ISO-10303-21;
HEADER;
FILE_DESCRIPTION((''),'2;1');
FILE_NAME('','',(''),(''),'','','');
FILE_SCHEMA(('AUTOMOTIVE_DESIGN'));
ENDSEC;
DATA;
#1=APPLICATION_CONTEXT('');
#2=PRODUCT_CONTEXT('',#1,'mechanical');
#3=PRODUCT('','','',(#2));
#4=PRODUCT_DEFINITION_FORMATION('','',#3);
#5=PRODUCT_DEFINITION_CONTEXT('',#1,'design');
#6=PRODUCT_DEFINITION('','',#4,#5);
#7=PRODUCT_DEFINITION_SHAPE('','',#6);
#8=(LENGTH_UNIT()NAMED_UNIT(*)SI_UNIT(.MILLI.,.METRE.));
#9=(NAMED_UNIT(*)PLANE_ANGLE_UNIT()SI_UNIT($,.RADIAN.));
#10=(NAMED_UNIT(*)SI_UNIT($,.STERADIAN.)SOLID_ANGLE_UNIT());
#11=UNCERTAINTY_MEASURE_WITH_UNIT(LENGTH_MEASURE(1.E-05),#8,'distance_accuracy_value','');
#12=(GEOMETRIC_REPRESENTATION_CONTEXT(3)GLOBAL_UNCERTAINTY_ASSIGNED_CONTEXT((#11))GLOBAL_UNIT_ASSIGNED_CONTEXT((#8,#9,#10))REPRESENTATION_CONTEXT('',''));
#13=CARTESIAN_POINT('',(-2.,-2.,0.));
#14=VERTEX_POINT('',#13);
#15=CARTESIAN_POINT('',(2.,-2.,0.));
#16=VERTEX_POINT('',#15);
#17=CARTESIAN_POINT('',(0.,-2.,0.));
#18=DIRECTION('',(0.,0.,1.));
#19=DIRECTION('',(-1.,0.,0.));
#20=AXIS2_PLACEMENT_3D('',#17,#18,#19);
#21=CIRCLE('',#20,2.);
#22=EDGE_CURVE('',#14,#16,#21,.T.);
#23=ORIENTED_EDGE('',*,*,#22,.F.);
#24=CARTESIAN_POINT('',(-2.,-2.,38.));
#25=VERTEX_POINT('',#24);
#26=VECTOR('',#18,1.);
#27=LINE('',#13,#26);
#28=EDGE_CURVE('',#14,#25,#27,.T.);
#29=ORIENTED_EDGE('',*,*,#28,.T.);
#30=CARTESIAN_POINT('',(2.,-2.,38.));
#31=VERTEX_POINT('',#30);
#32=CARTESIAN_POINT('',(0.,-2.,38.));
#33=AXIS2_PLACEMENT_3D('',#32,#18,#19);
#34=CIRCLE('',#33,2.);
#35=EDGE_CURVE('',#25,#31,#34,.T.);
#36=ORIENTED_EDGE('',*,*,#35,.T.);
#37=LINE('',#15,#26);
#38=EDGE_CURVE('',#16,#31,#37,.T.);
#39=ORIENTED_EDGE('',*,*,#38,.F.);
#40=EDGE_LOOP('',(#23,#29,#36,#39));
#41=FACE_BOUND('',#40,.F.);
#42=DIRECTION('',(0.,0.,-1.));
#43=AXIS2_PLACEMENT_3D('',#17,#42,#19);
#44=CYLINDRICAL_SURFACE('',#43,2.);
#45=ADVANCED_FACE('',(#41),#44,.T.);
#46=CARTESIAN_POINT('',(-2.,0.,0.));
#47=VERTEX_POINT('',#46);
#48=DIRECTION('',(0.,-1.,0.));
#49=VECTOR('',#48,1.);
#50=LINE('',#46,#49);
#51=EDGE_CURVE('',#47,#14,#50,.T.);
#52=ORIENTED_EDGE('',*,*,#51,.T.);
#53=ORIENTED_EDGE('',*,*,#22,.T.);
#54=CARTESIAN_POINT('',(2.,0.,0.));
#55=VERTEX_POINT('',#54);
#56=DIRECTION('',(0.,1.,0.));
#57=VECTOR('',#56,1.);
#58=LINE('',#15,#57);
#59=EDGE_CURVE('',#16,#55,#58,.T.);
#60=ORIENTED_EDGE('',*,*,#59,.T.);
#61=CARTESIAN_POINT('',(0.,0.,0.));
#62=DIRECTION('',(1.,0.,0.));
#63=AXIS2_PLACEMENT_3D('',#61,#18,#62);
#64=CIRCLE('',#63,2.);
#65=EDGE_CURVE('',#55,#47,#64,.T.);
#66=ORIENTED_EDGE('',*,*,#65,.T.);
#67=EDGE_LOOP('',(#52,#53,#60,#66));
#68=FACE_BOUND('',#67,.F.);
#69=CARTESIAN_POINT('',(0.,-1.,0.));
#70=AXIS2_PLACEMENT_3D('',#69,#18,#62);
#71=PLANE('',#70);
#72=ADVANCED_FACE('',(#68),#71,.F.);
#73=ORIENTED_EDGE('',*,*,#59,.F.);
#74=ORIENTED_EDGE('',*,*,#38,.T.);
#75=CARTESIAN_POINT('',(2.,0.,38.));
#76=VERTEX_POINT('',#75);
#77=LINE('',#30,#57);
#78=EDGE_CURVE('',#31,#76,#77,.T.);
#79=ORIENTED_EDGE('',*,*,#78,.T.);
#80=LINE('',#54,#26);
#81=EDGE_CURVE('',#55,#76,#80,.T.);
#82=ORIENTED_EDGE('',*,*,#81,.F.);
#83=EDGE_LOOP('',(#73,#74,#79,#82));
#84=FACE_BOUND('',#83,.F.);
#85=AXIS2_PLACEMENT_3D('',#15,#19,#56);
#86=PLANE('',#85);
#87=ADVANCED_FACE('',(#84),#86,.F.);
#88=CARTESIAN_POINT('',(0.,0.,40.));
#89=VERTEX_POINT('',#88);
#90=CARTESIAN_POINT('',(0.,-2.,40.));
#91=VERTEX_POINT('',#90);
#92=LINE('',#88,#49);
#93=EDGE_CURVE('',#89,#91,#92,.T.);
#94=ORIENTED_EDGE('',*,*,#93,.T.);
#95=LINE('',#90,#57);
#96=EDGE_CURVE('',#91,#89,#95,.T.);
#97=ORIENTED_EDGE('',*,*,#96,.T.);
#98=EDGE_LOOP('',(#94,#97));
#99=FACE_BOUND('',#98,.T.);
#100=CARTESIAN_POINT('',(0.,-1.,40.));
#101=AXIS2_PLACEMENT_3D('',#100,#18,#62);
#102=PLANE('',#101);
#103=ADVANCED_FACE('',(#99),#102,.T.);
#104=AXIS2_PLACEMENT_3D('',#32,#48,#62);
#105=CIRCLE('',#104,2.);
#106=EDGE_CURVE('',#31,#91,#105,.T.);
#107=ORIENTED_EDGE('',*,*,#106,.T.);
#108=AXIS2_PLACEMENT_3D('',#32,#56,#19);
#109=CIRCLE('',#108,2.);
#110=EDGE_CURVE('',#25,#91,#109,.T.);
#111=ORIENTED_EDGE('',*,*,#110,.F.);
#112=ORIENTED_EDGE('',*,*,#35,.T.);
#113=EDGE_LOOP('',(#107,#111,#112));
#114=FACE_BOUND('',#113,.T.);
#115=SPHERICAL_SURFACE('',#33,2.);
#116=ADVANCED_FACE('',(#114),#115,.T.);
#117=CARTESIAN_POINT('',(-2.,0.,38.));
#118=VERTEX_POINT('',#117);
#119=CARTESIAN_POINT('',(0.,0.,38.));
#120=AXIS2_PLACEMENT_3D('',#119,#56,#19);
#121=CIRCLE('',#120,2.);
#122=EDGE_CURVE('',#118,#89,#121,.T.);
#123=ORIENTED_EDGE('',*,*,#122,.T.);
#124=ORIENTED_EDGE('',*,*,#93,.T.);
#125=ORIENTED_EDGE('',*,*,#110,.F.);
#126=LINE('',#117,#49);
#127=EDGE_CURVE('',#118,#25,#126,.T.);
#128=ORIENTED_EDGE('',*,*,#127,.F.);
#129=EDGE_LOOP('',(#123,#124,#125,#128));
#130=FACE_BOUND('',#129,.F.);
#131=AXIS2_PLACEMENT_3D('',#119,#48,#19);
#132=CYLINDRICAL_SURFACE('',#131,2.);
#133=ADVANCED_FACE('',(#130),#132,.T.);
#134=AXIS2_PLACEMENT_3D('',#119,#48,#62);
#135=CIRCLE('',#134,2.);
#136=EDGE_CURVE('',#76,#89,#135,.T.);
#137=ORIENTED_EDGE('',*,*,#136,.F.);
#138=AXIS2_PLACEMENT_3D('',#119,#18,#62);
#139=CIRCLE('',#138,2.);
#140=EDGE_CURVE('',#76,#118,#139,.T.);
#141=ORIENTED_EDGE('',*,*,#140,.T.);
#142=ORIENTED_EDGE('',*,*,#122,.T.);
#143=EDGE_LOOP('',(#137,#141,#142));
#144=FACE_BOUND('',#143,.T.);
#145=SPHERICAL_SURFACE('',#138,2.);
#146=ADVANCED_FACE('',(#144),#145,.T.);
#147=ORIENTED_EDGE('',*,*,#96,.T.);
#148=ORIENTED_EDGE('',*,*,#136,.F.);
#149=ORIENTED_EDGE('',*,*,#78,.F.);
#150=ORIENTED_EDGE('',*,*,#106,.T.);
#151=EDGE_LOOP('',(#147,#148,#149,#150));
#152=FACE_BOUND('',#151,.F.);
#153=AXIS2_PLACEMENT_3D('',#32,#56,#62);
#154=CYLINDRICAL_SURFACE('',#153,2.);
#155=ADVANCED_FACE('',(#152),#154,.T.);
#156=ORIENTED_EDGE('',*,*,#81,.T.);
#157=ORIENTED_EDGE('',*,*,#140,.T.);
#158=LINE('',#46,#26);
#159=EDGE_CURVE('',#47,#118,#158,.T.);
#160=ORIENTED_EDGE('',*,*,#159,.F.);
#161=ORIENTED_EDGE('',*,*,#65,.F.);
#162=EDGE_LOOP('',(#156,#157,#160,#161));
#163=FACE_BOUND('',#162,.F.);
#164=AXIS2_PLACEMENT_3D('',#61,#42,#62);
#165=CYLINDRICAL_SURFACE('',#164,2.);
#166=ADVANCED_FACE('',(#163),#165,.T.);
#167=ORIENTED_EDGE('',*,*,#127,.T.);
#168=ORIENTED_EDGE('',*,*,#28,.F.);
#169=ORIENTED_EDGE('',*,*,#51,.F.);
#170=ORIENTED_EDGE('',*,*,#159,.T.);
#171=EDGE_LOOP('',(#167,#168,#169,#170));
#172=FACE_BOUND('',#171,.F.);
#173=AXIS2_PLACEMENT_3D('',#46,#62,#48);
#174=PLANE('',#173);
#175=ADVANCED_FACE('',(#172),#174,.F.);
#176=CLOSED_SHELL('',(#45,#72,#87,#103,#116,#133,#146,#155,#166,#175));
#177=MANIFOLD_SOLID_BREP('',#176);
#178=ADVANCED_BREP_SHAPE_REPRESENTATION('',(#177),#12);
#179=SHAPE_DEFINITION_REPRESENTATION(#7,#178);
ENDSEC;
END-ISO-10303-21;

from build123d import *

# Parameters (mm, degrees)
PAD_DEPTH = 40
FILLET_R  = 2


with BuildPart() as part:
    # Sketch → Pad (new body)
    with BuildSketch(Plane.XY):
        with BuildLine():
            ThreePointArc((2, 0), (0, 2), (-2, 0))
            Line((-2, 0), (-2, -2))
            ThreePointArc((-2, -2), (0, -4), (2, -2))
            Line((2, -2), (2, 0))
        make_face()
    extrude(amount=PAD_DEPTH)

    # Fillet
    fillet_edges = [part.edges().sort_by_distance(p)[0] for p in [
        (0, 2, 40),
        (-2, -1, 40),
        (0, -4, 40),
        (2, -1, 40),
    ]]
    fillet(fillet_edges, radius=FILLET_R)


solid = part.part
